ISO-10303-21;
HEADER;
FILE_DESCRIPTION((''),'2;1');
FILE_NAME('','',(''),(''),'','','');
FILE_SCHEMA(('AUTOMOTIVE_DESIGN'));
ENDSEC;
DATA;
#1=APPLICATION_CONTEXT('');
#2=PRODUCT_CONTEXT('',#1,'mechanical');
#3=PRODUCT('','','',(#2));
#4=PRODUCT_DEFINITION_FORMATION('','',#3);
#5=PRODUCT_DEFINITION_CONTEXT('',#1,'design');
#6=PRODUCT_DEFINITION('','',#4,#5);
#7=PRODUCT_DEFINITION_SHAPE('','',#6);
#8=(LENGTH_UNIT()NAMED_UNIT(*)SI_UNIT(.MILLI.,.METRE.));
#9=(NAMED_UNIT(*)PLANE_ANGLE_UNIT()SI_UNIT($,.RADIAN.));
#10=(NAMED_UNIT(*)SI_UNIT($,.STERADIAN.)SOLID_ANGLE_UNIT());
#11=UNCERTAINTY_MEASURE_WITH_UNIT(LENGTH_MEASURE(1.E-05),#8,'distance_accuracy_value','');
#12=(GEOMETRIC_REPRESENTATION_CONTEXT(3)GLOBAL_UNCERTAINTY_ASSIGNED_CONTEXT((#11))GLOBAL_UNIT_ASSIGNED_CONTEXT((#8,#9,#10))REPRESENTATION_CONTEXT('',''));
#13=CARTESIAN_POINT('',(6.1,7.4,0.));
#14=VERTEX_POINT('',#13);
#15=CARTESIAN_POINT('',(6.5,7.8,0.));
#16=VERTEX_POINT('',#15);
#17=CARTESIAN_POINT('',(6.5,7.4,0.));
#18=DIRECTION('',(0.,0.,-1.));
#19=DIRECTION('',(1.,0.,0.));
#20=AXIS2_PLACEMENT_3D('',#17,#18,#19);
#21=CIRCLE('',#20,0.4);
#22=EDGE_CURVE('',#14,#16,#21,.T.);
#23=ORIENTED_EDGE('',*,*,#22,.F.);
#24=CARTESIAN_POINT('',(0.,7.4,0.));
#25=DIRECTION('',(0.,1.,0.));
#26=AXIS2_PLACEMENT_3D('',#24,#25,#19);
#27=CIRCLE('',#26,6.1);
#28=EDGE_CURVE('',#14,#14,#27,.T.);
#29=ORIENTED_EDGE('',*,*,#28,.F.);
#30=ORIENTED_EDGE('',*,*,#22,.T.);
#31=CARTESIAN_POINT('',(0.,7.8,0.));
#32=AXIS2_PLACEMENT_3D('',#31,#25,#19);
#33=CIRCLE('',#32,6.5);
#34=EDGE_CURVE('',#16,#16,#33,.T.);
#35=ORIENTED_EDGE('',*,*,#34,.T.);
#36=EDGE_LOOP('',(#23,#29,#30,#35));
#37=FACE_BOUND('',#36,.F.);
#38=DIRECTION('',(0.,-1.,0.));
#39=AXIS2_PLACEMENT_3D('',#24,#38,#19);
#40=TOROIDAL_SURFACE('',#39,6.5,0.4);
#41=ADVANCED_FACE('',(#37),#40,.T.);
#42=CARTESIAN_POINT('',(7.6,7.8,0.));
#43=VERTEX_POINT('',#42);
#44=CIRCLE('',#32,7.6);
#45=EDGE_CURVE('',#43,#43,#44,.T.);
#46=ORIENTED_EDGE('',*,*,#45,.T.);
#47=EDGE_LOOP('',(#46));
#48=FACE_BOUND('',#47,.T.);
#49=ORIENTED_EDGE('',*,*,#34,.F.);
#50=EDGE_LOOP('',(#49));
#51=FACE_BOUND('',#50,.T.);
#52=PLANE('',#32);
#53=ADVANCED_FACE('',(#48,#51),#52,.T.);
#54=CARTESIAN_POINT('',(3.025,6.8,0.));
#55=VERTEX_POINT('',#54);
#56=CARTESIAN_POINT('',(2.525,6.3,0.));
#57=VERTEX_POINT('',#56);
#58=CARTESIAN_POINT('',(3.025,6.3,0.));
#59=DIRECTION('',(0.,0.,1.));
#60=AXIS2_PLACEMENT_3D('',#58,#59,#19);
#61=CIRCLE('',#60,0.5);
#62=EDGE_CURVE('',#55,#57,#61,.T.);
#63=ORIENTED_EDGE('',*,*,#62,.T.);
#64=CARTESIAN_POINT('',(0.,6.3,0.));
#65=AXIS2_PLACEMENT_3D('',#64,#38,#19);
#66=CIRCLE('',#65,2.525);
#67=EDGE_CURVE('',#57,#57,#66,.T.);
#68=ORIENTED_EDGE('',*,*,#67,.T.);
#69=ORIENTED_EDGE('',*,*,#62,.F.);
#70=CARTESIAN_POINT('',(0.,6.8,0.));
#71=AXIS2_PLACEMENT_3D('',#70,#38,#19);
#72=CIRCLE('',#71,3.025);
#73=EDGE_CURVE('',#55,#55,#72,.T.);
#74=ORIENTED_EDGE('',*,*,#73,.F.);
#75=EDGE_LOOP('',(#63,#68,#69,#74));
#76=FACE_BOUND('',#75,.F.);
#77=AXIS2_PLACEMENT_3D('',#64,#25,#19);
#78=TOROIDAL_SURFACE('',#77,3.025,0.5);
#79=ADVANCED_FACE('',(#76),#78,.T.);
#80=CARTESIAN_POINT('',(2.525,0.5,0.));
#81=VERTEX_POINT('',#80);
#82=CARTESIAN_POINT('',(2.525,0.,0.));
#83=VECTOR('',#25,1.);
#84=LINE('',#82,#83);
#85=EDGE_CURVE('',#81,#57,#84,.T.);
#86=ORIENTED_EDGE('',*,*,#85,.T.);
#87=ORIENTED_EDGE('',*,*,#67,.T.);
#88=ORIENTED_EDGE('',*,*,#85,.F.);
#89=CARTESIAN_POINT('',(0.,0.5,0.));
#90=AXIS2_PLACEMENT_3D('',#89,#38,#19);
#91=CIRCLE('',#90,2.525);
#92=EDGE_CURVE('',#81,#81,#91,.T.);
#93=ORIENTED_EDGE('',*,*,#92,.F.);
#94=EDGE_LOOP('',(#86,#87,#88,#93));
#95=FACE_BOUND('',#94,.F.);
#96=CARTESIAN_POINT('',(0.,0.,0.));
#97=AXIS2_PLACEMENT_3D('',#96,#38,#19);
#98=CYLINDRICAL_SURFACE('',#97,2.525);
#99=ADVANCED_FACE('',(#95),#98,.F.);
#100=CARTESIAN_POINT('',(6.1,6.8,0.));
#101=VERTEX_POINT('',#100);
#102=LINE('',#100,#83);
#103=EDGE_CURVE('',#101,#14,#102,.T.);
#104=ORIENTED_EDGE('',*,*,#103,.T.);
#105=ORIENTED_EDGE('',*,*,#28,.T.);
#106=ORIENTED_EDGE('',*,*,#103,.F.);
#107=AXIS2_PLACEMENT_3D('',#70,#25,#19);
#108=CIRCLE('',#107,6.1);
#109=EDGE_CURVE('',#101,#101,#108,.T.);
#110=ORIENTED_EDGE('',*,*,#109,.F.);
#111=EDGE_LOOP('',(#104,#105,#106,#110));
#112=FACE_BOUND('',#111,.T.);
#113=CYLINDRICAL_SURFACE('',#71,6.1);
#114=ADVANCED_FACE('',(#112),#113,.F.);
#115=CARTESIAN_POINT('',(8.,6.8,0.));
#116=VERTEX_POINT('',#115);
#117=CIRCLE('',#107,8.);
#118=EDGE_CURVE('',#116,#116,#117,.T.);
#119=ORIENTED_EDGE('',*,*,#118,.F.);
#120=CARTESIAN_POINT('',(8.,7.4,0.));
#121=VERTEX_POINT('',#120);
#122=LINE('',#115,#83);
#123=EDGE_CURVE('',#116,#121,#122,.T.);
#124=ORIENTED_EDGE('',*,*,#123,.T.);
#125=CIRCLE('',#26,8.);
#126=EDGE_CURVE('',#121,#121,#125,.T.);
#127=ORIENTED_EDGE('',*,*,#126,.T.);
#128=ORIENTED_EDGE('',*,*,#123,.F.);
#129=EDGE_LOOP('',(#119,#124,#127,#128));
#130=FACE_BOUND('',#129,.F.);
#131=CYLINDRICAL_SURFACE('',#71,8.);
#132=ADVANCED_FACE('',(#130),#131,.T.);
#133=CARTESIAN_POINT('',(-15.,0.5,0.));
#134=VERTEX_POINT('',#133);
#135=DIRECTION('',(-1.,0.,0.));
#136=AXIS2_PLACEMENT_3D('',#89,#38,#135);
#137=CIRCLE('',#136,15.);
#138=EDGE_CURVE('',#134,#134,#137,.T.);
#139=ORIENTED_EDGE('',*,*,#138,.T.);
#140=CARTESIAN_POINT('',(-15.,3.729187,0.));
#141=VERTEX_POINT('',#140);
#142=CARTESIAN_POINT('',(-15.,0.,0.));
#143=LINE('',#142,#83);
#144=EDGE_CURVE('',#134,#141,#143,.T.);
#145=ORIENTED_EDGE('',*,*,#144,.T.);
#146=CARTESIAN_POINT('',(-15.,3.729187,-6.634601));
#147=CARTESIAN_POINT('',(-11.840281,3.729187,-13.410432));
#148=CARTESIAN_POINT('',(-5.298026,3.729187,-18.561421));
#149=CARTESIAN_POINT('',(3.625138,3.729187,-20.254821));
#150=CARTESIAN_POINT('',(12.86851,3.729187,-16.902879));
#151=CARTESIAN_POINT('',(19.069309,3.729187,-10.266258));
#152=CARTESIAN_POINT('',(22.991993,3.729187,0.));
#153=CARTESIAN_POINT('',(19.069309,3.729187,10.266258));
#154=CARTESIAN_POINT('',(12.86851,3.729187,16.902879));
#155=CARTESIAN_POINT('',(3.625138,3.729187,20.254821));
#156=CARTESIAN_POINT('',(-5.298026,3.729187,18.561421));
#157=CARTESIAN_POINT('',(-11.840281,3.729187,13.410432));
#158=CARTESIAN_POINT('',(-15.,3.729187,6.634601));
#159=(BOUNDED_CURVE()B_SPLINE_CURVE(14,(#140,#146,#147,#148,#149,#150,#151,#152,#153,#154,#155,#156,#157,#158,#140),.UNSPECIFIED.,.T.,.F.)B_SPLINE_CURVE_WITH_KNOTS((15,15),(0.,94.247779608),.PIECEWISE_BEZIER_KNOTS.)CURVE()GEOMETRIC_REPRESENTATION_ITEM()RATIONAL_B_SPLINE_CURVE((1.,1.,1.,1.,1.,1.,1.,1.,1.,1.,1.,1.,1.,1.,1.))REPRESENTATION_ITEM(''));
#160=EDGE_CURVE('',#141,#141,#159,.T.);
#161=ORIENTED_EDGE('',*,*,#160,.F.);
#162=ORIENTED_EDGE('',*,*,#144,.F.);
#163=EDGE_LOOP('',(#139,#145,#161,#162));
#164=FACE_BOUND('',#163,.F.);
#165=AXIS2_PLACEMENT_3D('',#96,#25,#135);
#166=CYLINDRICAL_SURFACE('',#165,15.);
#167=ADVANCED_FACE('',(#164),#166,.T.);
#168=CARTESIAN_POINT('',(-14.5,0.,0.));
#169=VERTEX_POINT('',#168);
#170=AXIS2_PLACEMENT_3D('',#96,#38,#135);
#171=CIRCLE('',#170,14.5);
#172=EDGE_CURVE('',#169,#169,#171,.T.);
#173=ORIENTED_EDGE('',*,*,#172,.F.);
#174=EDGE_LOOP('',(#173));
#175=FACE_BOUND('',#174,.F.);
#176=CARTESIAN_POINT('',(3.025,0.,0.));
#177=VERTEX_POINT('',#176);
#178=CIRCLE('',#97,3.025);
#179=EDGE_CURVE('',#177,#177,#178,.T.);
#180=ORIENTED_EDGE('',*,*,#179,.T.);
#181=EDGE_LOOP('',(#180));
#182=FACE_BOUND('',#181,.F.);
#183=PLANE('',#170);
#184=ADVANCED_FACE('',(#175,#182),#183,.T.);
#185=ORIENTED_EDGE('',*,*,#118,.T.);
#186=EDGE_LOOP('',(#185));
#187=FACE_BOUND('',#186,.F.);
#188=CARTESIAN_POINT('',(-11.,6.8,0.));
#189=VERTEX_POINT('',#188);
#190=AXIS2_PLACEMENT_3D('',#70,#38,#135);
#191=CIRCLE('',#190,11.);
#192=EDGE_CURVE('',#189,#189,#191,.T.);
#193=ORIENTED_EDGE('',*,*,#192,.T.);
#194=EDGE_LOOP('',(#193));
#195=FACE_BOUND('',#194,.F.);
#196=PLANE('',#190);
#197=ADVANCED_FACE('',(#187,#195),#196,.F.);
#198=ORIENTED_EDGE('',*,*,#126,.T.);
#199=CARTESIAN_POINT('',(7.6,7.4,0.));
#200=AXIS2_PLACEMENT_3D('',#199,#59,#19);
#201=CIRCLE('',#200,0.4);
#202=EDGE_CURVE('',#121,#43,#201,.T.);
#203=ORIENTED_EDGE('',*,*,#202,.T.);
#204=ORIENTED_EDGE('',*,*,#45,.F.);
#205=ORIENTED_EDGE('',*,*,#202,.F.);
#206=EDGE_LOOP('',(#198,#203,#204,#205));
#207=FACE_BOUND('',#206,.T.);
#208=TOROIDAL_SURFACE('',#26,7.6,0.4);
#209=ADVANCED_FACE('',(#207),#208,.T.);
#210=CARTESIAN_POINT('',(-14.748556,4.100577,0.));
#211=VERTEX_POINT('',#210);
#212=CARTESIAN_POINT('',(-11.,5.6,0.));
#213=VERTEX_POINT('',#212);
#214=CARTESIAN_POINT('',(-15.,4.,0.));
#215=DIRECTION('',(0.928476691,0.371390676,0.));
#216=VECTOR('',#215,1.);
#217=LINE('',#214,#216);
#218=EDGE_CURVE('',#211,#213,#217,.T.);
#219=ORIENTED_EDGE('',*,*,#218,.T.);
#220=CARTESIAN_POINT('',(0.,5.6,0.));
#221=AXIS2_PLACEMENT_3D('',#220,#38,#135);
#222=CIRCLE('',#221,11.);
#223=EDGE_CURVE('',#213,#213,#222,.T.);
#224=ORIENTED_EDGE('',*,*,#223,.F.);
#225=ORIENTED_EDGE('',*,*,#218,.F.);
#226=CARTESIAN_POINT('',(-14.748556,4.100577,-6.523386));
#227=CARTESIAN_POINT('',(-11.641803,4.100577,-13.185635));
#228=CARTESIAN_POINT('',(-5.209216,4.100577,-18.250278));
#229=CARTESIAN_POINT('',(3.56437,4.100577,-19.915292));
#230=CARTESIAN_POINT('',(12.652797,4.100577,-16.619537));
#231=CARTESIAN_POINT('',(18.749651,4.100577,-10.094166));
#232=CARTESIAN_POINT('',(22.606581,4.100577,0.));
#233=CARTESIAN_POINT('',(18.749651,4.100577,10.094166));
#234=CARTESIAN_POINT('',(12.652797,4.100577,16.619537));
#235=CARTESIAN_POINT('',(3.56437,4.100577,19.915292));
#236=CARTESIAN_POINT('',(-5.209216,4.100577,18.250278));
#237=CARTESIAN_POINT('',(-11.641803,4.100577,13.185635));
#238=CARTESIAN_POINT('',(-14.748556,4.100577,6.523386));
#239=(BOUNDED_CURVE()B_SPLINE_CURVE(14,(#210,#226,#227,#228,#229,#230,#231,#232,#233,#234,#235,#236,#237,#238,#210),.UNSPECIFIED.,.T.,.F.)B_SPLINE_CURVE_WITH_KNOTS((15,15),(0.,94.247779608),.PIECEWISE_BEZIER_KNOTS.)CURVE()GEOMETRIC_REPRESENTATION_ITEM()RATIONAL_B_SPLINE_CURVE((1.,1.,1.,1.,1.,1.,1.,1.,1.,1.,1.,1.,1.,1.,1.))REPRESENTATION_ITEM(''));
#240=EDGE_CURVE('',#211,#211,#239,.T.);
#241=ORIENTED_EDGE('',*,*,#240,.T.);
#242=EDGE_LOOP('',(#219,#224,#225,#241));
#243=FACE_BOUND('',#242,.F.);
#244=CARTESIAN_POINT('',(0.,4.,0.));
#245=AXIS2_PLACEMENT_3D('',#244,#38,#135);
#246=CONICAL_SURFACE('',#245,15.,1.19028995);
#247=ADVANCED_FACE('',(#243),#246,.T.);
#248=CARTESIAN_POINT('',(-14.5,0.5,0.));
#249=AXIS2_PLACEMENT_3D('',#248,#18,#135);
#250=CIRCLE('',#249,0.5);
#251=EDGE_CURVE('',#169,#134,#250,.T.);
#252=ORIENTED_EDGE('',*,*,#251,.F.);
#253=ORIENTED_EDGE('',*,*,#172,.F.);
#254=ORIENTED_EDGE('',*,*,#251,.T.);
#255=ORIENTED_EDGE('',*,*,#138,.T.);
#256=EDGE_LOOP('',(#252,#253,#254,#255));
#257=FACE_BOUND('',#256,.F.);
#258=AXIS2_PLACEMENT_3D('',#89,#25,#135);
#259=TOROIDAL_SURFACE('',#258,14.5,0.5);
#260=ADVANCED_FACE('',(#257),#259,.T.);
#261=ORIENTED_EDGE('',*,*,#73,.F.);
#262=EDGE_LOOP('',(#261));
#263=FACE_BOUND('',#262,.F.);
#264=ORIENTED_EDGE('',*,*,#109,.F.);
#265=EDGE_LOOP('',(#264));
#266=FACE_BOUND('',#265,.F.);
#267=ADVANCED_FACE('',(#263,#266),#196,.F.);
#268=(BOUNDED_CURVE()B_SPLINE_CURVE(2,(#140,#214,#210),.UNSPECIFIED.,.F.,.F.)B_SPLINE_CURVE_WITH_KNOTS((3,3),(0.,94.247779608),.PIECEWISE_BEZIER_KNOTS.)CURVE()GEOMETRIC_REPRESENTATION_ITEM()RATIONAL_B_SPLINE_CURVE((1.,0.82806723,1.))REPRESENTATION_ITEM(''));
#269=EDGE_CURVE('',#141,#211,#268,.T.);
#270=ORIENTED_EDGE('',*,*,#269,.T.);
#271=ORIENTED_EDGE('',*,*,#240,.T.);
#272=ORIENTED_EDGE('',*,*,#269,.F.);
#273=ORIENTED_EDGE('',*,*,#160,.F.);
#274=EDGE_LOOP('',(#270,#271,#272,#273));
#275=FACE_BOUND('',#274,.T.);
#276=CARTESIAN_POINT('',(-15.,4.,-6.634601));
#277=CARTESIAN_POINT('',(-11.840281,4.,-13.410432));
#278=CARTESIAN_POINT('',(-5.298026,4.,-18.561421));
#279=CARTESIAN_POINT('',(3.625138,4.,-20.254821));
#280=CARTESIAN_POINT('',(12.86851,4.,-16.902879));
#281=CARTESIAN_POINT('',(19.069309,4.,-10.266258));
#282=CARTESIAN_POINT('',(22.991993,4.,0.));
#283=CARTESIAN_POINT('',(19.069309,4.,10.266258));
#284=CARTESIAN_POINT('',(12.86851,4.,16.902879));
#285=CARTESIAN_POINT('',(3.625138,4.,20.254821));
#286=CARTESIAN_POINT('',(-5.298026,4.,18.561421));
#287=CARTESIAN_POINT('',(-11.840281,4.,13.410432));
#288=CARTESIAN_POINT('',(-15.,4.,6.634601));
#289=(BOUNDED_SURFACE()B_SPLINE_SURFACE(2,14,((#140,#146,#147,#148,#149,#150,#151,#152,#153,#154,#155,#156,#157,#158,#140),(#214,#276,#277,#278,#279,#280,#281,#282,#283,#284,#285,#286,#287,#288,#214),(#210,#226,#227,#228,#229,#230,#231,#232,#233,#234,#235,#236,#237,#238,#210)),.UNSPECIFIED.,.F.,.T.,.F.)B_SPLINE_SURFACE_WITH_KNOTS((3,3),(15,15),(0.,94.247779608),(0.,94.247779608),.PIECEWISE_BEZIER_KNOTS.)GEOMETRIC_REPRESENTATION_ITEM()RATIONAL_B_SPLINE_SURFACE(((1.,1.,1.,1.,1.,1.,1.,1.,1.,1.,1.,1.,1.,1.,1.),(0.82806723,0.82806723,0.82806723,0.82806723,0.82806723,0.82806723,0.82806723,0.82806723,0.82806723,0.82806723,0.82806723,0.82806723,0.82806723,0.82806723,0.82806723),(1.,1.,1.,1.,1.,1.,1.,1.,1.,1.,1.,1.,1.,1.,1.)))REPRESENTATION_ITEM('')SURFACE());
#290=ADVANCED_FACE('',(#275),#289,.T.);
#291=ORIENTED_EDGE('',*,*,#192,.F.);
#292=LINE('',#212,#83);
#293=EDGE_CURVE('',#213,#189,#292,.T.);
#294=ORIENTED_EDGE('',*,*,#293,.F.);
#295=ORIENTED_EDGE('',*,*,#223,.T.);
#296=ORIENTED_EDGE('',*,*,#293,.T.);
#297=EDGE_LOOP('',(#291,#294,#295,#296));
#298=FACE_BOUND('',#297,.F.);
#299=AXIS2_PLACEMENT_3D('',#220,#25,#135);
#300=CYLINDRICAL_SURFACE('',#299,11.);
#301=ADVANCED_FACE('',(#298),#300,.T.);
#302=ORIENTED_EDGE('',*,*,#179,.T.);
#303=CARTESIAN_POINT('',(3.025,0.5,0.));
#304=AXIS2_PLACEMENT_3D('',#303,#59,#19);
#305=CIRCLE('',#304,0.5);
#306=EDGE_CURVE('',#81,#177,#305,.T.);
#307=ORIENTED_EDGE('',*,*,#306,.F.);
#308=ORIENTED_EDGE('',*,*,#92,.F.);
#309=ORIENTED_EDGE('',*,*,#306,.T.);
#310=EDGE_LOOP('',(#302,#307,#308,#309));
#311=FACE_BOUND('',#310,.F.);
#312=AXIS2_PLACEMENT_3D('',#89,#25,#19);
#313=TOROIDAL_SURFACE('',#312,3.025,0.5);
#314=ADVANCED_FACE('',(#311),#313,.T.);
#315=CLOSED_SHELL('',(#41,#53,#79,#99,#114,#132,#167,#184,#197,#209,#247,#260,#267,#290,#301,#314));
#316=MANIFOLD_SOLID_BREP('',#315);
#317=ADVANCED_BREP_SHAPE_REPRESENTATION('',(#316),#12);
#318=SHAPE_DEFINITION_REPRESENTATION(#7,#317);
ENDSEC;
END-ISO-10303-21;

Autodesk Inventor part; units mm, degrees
ref_plane "YZ Plane" through (0, 0, 0) normal (1, 0, 0) x (0, 1, 0)
ref_plane "XZ Plane" through (0, 0, 0) normal (0, 1, 0) x (-1, 0, 0)
ref_plane "XY Plane" through (0, 0, 0) normal (0, 0, 1) x (1, 0, 0)
sketch "Sketch1" plane through (0, 0, 0) normal (0, 0, 1) x (1, 0, 0)
  line L0 (0, 0) -> (-15, 0)
  line L1 (-15, 0) -> (-15, 4)
  line L2 (-15, 4) -> (-11, 5.6)
  line L3 (-11, 5.6) -> (-11, 6.8)
  line L4 (-11, 6.8) -> (0, 6.8)
  line L5 (0, 6.8) -> (0, 0)
  dimension "d1" = 4
  dimension "d5" = 1.2
  dimension "d12" = 11
  dimension "d13" = 2.8
  dimension "d14" = 4
revolve "Revolution1" add sketch "Sketch1" angle 360 about axis through (0, 6.8, 0) along (0, -1, 0)
fillet "Fillet1" radius 0.5 1 edges at (15, 0, 0)
sketch "Sketch3" plane through (0, 0, 0) normal (0, -1, 0) x (1, 0, 0)
  circle A0 centre (0, 0) radius 2.525
  point P0 (0, 0)
  dimension "d15" = 5.05
extrude "Extrusion2" cut sketch "Sketch3" against normal up to surface (6.8 mm away)
fillet "Fillet2" radius 0.4 1 edges at (15, 4, 0)
sketch "Sketch4" plane through (0, 6.8, 0) normal (0, 1, 0) x (1, 0, 0)
  circle A0 centre (0, 0) radius 8
  circle A1 centre (0, 0) radius 6.1
  point P0 (0, 0)
  dimension "d19" = 16
  dimension "d20" = 1.9
extrude "Extrusion3" add sketch "Sketch4" along normal blind 1
fillet "Fillet3" radius 0.4 2 edges at (-6.1, 7.8, 0) (-8, 7.8, 0)
fillet "Fillet4" radius 0.5 2 edges at (-2.525, 6.8, 0) (-2.525, 0, 0)
properties part number "pulley_part_1"
